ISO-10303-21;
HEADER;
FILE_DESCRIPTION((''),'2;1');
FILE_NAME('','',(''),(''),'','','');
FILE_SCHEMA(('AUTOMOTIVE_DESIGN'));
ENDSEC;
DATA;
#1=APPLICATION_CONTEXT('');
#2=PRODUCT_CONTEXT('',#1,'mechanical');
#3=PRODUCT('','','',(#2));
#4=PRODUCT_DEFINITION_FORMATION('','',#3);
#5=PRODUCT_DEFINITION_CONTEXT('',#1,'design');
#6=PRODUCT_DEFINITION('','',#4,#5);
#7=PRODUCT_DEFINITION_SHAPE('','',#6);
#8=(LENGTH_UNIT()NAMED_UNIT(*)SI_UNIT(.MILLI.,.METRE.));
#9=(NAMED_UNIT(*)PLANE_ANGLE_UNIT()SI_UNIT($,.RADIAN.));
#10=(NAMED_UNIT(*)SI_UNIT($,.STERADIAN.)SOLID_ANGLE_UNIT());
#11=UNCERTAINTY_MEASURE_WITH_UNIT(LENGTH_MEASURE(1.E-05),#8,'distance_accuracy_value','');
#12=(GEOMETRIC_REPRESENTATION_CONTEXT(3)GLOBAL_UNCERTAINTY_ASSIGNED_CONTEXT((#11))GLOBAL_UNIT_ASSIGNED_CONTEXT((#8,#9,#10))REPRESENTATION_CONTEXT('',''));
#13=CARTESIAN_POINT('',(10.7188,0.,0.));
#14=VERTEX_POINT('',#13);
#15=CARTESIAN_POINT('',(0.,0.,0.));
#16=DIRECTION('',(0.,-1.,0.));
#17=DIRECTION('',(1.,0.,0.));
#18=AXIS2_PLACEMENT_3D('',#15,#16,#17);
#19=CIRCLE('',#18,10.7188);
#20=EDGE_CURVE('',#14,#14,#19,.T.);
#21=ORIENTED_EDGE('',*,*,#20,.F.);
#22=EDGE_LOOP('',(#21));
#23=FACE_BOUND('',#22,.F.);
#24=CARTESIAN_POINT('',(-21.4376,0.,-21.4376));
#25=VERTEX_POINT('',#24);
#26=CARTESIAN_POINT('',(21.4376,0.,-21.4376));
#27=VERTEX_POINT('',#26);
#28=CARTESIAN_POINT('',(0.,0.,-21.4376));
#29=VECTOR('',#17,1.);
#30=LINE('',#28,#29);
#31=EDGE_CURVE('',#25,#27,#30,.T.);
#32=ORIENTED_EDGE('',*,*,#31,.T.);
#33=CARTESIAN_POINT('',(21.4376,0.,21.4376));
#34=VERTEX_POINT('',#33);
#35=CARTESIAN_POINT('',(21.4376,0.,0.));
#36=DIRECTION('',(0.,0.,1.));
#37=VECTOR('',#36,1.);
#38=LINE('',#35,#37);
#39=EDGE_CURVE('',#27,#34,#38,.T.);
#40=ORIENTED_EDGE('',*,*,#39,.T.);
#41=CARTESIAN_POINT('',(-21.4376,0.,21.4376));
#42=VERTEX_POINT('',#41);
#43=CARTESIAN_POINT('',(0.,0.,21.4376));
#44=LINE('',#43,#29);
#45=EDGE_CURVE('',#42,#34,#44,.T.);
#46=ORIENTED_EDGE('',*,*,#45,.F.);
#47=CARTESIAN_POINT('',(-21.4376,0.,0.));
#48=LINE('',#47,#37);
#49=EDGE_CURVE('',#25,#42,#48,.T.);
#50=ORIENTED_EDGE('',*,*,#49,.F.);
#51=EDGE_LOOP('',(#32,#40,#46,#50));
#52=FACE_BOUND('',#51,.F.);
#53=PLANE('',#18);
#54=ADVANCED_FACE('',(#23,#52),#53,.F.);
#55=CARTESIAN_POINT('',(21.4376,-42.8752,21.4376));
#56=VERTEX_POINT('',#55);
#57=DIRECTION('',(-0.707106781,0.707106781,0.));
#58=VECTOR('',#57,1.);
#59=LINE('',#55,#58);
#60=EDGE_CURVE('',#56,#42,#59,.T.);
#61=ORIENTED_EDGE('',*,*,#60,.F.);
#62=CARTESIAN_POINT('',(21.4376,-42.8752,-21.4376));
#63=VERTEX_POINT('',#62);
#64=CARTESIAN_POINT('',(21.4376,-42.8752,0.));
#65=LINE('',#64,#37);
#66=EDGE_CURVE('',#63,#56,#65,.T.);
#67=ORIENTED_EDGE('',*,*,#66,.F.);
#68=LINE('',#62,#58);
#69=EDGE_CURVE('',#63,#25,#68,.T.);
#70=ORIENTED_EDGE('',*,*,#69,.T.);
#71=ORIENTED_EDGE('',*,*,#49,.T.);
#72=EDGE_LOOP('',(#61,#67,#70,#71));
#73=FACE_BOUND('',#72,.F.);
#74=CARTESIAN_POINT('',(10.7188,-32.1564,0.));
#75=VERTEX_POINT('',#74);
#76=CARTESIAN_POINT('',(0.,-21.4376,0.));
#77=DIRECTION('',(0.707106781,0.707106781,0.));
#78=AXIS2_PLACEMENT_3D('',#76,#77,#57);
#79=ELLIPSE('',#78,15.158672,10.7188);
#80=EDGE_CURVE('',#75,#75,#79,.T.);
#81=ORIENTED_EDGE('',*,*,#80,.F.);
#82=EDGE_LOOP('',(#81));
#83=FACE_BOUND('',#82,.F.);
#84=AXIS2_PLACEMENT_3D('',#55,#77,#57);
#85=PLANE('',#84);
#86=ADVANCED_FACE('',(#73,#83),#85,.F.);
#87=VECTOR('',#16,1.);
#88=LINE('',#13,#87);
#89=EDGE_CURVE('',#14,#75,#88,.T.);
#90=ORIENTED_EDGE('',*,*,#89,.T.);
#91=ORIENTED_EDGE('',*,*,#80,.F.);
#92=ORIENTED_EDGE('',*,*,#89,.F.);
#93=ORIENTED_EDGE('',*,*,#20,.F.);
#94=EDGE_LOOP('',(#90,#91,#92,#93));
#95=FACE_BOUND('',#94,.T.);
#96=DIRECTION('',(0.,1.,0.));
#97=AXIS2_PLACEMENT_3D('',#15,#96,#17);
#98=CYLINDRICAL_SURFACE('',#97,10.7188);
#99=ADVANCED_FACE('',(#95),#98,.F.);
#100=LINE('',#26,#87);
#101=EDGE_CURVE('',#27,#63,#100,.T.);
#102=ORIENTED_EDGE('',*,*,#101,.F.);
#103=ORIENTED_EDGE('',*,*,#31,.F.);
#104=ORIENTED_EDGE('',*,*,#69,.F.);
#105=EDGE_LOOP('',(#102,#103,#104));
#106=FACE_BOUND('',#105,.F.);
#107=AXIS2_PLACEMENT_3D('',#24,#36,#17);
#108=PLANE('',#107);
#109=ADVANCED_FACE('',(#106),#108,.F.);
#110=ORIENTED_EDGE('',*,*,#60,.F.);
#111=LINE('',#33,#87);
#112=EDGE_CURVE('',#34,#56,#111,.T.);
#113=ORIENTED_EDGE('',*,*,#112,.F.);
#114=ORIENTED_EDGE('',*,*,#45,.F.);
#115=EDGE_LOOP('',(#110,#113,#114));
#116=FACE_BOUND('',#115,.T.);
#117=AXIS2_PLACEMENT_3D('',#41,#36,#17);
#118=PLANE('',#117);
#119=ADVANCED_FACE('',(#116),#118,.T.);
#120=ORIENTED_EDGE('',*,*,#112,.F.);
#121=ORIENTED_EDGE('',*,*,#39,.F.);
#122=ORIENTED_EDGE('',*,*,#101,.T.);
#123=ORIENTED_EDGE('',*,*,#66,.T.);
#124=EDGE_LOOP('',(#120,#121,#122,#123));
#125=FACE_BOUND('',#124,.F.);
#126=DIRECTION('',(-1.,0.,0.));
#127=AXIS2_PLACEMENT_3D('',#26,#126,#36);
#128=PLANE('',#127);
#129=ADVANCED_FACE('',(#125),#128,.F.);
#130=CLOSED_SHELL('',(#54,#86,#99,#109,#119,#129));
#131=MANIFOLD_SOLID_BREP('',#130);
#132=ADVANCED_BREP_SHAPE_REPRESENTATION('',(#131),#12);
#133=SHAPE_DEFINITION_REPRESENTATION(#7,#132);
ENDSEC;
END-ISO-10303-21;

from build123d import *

# Parameters (mm, degrees)
F0_W     = 42.8752
F0_H     = 42.8752
F0_R     = 10.7188
F1_DEPTH = 42.8752
F3_DEPTH = 42.8752


with BuildPart() as f1:
    # F0 (on Front) → F1 (new body)
    with BuildSketch(Plane.XZ):
        Rectangle(F0_W, F0_H)
        Circle(F0_R, mode=Mode.SUBTRACT)
    extrude(amount=F1_DEPTH)

    # F2 (on face) → F3 (cut)
    with BuildSketch(Plane.XY.offset(21.4376)):
        Polygon((21.4376, -42.8752), (-21.4376, 0), (-21.4376, -42.8752), align=None)
    extrude(amount=-F3_DEPTH, mode=Mode.SUBTRACT)


solid = f1.part
